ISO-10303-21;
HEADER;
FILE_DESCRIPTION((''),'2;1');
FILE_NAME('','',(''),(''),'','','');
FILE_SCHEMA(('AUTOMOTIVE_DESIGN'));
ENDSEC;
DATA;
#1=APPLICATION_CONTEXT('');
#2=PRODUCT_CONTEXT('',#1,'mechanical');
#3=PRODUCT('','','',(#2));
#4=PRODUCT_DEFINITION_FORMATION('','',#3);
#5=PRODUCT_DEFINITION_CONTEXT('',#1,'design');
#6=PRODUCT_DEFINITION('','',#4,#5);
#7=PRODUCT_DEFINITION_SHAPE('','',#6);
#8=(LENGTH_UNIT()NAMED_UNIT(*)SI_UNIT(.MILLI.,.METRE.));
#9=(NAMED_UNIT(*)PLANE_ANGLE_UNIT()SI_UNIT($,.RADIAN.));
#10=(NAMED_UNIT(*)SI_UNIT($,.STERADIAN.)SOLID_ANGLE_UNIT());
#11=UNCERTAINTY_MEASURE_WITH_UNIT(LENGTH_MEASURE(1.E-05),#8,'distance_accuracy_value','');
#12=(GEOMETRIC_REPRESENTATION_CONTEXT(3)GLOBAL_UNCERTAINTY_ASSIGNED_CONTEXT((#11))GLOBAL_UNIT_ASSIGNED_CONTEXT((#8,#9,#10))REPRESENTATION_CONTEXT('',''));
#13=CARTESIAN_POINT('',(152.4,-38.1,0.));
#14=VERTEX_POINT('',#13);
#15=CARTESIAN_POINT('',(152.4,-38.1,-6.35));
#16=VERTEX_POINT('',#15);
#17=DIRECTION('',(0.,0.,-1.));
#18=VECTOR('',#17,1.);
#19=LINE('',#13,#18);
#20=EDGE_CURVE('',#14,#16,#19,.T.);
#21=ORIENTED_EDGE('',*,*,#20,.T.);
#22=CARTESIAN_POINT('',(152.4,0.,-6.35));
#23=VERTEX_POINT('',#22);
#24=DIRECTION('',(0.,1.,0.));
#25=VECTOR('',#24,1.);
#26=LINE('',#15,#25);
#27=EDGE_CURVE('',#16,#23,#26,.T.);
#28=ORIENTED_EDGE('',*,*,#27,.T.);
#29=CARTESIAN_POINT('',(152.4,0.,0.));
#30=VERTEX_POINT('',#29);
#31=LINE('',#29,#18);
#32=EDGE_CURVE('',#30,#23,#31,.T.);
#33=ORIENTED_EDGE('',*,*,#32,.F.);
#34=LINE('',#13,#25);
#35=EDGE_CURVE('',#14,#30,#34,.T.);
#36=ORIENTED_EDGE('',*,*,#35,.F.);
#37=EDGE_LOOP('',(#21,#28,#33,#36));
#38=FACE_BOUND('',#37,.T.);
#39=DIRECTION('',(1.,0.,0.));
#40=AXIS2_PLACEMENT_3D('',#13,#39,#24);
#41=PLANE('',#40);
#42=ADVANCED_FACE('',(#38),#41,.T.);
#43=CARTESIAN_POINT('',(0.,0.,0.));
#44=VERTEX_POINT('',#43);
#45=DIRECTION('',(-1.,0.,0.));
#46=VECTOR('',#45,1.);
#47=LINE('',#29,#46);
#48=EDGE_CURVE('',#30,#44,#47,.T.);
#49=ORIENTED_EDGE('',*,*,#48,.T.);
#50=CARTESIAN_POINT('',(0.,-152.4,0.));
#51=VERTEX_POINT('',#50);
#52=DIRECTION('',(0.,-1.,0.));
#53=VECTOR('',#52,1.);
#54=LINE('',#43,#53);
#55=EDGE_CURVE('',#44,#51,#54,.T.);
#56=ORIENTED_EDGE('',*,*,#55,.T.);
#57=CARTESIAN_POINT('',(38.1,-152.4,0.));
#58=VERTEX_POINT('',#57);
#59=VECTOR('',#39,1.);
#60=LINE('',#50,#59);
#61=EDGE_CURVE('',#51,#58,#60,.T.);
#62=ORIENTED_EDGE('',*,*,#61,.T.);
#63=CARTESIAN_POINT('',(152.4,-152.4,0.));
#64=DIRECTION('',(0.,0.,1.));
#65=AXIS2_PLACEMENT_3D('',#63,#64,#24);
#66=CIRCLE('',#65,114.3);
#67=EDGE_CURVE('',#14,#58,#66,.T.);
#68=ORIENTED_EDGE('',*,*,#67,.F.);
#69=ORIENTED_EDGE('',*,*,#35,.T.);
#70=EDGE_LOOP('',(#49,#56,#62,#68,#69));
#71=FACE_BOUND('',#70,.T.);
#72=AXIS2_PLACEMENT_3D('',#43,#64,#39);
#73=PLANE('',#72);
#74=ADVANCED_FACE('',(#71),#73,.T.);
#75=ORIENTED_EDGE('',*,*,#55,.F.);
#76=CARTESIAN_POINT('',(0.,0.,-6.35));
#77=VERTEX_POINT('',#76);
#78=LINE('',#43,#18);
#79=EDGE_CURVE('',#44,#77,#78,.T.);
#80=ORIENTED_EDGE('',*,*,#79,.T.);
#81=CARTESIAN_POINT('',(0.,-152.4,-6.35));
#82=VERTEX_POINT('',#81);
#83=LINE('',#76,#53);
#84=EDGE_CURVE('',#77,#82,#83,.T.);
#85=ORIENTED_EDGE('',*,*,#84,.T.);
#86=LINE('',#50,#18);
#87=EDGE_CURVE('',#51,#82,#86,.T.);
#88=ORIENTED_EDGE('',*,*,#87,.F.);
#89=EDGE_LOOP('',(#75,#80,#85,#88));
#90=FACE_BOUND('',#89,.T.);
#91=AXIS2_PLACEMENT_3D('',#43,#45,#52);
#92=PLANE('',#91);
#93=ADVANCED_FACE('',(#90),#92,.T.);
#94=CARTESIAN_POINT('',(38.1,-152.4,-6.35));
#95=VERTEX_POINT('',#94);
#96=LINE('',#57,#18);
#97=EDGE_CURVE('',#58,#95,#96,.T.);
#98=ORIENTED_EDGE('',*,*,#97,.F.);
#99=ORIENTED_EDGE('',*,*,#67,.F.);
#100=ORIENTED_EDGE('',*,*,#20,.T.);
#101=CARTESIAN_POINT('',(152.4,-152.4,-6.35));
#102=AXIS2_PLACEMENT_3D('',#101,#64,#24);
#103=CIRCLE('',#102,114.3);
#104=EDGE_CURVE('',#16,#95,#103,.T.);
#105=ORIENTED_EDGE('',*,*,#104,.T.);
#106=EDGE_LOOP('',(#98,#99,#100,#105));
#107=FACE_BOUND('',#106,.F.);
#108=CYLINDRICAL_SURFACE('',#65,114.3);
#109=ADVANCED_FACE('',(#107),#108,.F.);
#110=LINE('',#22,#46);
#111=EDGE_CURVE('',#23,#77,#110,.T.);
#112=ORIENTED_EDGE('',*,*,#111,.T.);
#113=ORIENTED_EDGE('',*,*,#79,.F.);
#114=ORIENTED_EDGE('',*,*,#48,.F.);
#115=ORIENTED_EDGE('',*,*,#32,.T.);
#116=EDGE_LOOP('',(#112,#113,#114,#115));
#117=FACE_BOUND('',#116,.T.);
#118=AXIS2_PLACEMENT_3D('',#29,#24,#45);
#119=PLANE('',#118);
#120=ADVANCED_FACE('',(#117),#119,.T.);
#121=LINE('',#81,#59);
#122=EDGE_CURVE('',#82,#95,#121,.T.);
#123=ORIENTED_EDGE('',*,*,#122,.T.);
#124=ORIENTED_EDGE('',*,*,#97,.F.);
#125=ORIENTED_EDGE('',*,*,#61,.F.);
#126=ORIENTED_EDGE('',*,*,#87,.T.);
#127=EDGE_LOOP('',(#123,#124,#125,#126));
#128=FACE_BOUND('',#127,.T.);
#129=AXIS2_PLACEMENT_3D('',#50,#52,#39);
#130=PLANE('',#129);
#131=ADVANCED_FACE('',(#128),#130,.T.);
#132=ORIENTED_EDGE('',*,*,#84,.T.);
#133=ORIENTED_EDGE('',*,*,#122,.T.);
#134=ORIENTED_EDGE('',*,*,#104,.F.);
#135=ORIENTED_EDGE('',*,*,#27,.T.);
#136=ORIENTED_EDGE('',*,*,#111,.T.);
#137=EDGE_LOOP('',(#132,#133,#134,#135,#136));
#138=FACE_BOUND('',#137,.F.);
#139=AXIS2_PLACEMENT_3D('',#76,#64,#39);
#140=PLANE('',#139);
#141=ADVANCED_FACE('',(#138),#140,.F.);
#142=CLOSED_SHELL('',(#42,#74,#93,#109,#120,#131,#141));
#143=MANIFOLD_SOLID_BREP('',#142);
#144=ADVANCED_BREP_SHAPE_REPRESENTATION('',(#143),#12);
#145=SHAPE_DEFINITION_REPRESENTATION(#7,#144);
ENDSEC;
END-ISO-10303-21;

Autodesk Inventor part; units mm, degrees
ref_plane "YZ Plane" through (0, 0, 0) normal (1, 0, 0) x (0, 1, 0)
ref_plane "XZ Plane" through (0, 0, 0) normal (0, 1, 0) x (-1, 0, 0)
ref_plane "XY Plane" through (0, 0, 0) normal (0, 0, 1) x (1, 0, 0)
sketch "Sketch1" plane through (0, 0, 0) normal (0, 0, 1) x (1, 0, 0)
  line L0 (0, 0) -> (0, -152.4)
  line L1 (0, -152.4) -> (38.1, -152.4)
  arc A0 (152.4, -38.1) -> (38.1, -152.4) centre (152.4, -152.4) ccw
  line L2 (152.4, -38.1) -> (152.4, 0)
  line L3 (152.4, 0) -> (0, 0)
  dimension "d0" = 152.4
  dimension "d1" = 152.4
  dimension "d2" = 38.1
  dimension "d3" = 38.1
extrude "Extrusion1" add sketch "Sketch1" against normal blind 6.35
properties part number "support"
